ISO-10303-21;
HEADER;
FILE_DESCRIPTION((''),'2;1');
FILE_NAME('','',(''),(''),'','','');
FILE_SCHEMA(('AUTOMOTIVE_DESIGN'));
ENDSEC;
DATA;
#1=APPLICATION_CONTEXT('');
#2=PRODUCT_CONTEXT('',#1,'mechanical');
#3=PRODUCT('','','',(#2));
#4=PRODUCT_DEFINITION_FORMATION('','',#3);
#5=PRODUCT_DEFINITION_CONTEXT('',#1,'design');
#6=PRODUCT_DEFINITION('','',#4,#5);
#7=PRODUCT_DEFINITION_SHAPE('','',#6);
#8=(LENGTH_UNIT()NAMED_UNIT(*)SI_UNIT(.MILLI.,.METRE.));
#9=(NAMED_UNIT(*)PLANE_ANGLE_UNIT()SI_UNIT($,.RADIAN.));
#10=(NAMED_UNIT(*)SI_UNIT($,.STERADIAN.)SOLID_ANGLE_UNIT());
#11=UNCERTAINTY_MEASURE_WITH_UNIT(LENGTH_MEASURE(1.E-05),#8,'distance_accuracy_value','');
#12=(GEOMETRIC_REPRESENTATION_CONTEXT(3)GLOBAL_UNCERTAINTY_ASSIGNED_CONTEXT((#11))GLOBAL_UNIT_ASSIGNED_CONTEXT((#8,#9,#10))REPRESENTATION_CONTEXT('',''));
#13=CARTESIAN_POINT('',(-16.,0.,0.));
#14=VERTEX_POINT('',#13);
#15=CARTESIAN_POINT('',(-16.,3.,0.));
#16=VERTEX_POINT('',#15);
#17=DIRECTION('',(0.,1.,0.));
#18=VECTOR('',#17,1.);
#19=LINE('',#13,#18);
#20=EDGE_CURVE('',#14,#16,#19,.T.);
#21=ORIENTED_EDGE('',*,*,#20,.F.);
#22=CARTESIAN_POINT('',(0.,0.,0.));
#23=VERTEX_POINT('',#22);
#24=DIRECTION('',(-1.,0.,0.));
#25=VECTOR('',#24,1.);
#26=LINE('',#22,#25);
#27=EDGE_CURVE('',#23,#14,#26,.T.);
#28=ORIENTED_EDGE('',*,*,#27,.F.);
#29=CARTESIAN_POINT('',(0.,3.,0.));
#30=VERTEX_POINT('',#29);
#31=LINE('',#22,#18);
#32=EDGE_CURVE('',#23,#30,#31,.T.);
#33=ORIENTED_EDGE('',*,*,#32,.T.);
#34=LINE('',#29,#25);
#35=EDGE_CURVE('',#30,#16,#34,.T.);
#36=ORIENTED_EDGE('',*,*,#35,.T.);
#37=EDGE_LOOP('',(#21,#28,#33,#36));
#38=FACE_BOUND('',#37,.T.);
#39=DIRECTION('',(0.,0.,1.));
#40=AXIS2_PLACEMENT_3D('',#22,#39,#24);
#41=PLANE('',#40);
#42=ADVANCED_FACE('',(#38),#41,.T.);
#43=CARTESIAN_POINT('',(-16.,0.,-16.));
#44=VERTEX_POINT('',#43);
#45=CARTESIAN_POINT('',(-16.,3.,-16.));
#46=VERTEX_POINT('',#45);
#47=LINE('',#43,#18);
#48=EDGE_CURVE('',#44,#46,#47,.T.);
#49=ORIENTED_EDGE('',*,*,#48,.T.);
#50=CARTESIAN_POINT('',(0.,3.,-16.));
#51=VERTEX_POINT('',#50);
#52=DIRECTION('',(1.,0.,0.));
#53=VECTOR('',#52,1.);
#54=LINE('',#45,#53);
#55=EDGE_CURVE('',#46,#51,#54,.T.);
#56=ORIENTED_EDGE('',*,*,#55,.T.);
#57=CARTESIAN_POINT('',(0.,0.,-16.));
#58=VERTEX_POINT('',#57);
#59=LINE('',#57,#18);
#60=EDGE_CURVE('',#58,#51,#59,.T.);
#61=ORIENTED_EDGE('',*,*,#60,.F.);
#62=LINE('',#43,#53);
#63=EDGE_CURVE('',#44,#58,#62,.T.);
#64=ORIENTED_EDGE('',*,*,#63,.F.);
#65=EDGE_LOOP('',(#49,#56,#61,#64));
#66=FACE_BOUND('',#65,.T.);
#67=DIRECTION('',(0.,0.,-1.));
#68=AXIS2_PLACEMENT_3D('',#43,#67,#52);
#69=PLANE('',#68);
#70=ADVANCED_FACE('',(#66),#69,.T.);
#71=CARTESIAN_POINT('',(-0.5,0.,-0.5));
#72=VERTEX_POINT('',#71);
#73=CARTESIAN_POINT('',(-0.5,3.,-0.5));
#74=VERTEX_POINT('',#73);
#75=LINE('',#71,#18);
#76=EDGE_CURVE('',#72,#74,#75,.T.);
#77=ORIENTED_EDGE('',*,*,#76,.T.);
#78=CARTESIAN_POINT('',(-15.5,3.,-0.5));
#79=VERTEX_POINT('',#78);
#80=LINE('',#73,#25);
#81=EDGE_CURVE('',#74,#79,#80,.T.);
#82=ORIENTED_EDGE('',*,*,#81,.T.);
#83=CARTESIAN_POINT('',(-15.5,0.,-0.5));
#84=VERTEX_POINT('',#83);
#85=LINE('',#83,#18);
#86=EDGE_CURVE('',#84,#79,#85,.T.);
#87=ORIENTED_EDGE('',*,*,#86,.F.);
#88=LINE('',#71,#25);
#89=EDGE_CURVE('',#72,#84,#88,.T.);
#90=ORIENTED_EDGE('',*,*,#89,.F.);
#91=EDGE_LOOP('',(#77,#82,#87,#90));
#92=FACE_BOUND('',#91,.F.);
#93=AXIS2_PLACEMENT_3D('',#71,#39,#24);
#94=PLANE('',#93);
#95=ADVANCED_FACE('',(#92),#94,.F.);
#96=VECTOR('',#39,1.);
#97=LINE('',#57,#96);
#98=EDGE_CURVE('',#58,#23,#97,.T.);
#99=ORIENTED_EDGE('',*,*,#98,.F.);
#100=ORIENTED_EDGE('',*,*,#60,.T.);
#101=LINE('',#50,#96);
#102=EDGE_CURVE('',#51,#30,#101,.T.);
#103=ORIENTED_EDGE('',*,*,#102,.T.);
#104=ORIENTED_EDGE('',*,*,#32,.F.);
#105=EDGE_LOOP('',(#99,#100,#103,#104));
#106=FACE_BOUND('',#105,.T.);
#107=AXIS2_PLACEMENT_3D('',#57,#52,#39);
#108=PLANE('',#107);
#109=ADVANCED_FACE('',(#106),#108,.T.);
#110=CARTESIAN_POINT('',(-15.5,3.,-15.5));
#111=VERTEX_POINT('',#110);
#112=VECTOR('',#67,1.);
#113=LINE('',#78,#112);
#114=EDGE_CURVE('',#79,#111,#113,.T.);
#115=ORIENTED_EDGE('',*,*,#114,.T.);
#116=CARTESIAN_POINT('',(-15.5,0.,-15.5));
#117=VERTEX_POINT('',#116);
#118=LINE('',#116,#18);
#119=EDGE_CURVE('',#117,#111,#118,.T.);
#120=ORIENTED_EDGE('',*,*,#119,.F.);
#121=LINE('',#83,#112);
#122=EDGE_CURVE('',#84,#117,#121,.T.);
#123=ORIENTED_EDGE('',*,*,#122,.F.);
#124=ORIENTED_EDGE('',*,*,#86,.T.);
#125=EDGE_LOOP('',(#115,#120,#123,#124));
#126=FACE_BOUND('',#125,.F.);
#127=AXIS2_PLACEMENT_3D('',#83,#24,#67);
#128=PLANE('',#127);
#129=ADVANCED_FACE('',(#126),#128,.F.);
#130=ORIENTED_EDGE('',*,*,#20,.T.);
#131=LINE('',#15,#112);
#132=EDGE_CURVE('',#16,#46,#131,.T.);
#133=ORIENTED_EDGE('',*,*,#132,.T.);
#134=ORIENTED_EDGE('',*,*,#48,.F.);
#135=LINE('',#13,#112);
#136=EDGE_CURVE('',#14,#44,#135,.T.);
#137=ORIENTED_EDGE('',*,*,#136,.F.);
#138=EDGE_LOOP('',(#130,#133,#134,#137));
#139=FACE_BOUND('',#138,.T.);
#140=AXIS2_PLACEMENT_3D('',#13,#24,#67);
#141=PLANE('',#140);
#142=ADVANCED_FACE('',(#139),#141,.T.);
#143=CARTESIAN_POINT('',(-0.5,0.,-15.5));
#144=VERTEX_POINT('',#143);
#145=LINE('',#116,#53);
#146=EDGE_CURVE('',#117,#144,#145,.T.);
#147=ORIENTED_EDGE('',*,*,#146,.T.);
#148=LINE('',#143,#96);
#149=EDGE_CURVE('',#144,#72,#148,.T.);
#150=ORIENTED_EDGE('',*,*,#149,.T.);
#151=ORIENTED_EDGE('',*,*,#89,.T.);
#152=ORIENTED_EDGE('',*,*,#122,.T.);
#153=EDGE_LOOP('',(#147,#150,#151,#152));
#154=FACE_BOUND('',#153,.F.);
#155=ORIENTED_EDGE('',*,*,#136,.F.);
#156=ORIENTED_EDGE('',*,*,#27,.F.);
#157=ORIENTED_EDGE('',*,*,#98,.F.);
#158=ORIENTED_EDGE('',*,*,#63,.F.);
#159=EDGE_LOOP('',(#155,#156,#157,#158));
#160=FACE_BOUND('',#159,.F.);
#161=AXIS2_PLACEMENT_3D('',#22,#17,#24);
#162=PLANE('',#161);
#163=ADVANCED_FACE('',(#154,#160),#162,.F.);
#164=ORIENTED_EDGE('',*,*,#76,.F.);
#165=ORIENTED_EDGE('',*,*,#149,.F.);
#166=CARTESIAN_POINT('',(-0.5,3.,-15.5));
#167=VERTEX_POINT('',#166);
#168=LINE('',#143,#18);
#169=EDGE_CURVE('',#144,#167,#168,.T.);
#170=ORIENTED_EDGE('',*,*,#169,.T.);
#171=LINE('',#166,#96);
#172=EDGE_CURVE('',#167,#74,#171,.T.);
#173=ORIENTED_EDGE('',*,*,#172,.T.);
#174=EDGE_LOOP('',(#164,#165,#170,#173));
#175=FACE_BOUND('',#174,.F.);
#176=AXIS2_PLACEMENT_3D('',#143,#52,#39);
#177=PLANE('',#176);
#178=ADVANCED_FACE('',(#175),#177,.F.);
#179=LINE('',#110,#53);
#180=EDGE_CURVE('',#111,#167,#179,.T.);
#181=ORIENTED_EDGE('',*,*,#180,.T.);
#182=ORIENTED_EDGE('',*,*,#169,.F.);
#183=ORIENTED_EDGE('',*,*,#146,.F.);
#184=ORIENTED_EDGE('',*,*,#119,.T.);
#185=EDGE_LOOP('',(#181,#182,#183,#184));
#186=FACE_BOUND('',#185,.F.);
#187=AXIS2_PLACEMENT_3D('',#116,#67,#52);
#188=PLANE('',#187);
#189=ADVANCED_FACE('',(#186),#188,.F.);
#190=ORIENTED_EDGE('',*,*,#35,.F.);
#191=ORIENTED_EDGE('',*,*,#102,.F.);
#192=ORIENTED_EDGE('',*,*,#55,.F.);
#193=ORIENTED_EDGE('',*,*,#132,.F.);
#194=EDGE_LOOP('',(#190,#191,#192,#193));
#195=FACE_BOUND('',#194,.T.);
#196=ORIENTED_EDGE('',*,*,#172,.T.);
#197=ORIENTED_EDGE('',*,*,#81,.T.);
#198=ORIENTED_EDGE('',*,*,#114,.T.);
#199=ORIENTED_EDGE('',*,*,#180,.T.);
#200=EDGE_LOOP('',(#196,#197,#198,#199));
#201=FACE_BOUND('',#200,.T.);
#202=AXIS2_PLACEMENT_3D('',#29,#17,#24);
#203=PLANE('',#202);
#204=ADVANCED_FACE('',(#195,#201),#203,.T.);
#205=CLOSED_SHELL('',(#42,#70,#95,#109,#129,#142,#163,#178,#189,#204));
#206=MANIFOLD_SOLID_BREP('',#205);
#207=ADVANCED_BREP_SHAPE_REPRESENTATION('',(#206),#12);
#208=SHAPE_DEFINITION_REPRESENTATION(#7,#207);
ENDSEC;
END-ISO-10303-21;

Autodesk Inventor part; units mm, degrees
ref_plane "YZ Plane" through (0, 0, 0) normal (1, 0, 0) x (0, 1, 0)
ref_plane "XZ Plane" through (0, 0, 0) normal (0, 1, 0) x (-1, 0, 0)
ref_plane "XY Plane" through (0, 0, 0) normal (0, 0, 1) x (1, 0, 0)
sketch "Sketch1" plane through (0, 0, 0) normal (0, 1, 0) x (-1, 0, 0)
  line L0 (0, 0) -> (16, 0)
  line L1 (16, 0) -> (16, -16)
  line L2 (16, -16) -> (0, -16)
  line L3 (0, -16) -> (0, 0)
  line L4 (0.5, -0.5) -> (15.5, -0.5)
  line L5 (15.5, -0.5) -> (15.5, -15.5)
  line L6 (15.5, -15.5) -> (0.5, -15.5)
  line L7 (0.5, -15.5) -> (0.5, -0.5)
  dimension "d0" = 16
  dimension "d1" = 16
  dimension "d2" = 0.5
  dimension "d3" = 0.5
  dimension "d4" = 0.5
  dimension "d5" = 0.5
extrude "Extrusion1" add sketch "Sketch1" along normal blind 3
properties part number "anneau_pack"
